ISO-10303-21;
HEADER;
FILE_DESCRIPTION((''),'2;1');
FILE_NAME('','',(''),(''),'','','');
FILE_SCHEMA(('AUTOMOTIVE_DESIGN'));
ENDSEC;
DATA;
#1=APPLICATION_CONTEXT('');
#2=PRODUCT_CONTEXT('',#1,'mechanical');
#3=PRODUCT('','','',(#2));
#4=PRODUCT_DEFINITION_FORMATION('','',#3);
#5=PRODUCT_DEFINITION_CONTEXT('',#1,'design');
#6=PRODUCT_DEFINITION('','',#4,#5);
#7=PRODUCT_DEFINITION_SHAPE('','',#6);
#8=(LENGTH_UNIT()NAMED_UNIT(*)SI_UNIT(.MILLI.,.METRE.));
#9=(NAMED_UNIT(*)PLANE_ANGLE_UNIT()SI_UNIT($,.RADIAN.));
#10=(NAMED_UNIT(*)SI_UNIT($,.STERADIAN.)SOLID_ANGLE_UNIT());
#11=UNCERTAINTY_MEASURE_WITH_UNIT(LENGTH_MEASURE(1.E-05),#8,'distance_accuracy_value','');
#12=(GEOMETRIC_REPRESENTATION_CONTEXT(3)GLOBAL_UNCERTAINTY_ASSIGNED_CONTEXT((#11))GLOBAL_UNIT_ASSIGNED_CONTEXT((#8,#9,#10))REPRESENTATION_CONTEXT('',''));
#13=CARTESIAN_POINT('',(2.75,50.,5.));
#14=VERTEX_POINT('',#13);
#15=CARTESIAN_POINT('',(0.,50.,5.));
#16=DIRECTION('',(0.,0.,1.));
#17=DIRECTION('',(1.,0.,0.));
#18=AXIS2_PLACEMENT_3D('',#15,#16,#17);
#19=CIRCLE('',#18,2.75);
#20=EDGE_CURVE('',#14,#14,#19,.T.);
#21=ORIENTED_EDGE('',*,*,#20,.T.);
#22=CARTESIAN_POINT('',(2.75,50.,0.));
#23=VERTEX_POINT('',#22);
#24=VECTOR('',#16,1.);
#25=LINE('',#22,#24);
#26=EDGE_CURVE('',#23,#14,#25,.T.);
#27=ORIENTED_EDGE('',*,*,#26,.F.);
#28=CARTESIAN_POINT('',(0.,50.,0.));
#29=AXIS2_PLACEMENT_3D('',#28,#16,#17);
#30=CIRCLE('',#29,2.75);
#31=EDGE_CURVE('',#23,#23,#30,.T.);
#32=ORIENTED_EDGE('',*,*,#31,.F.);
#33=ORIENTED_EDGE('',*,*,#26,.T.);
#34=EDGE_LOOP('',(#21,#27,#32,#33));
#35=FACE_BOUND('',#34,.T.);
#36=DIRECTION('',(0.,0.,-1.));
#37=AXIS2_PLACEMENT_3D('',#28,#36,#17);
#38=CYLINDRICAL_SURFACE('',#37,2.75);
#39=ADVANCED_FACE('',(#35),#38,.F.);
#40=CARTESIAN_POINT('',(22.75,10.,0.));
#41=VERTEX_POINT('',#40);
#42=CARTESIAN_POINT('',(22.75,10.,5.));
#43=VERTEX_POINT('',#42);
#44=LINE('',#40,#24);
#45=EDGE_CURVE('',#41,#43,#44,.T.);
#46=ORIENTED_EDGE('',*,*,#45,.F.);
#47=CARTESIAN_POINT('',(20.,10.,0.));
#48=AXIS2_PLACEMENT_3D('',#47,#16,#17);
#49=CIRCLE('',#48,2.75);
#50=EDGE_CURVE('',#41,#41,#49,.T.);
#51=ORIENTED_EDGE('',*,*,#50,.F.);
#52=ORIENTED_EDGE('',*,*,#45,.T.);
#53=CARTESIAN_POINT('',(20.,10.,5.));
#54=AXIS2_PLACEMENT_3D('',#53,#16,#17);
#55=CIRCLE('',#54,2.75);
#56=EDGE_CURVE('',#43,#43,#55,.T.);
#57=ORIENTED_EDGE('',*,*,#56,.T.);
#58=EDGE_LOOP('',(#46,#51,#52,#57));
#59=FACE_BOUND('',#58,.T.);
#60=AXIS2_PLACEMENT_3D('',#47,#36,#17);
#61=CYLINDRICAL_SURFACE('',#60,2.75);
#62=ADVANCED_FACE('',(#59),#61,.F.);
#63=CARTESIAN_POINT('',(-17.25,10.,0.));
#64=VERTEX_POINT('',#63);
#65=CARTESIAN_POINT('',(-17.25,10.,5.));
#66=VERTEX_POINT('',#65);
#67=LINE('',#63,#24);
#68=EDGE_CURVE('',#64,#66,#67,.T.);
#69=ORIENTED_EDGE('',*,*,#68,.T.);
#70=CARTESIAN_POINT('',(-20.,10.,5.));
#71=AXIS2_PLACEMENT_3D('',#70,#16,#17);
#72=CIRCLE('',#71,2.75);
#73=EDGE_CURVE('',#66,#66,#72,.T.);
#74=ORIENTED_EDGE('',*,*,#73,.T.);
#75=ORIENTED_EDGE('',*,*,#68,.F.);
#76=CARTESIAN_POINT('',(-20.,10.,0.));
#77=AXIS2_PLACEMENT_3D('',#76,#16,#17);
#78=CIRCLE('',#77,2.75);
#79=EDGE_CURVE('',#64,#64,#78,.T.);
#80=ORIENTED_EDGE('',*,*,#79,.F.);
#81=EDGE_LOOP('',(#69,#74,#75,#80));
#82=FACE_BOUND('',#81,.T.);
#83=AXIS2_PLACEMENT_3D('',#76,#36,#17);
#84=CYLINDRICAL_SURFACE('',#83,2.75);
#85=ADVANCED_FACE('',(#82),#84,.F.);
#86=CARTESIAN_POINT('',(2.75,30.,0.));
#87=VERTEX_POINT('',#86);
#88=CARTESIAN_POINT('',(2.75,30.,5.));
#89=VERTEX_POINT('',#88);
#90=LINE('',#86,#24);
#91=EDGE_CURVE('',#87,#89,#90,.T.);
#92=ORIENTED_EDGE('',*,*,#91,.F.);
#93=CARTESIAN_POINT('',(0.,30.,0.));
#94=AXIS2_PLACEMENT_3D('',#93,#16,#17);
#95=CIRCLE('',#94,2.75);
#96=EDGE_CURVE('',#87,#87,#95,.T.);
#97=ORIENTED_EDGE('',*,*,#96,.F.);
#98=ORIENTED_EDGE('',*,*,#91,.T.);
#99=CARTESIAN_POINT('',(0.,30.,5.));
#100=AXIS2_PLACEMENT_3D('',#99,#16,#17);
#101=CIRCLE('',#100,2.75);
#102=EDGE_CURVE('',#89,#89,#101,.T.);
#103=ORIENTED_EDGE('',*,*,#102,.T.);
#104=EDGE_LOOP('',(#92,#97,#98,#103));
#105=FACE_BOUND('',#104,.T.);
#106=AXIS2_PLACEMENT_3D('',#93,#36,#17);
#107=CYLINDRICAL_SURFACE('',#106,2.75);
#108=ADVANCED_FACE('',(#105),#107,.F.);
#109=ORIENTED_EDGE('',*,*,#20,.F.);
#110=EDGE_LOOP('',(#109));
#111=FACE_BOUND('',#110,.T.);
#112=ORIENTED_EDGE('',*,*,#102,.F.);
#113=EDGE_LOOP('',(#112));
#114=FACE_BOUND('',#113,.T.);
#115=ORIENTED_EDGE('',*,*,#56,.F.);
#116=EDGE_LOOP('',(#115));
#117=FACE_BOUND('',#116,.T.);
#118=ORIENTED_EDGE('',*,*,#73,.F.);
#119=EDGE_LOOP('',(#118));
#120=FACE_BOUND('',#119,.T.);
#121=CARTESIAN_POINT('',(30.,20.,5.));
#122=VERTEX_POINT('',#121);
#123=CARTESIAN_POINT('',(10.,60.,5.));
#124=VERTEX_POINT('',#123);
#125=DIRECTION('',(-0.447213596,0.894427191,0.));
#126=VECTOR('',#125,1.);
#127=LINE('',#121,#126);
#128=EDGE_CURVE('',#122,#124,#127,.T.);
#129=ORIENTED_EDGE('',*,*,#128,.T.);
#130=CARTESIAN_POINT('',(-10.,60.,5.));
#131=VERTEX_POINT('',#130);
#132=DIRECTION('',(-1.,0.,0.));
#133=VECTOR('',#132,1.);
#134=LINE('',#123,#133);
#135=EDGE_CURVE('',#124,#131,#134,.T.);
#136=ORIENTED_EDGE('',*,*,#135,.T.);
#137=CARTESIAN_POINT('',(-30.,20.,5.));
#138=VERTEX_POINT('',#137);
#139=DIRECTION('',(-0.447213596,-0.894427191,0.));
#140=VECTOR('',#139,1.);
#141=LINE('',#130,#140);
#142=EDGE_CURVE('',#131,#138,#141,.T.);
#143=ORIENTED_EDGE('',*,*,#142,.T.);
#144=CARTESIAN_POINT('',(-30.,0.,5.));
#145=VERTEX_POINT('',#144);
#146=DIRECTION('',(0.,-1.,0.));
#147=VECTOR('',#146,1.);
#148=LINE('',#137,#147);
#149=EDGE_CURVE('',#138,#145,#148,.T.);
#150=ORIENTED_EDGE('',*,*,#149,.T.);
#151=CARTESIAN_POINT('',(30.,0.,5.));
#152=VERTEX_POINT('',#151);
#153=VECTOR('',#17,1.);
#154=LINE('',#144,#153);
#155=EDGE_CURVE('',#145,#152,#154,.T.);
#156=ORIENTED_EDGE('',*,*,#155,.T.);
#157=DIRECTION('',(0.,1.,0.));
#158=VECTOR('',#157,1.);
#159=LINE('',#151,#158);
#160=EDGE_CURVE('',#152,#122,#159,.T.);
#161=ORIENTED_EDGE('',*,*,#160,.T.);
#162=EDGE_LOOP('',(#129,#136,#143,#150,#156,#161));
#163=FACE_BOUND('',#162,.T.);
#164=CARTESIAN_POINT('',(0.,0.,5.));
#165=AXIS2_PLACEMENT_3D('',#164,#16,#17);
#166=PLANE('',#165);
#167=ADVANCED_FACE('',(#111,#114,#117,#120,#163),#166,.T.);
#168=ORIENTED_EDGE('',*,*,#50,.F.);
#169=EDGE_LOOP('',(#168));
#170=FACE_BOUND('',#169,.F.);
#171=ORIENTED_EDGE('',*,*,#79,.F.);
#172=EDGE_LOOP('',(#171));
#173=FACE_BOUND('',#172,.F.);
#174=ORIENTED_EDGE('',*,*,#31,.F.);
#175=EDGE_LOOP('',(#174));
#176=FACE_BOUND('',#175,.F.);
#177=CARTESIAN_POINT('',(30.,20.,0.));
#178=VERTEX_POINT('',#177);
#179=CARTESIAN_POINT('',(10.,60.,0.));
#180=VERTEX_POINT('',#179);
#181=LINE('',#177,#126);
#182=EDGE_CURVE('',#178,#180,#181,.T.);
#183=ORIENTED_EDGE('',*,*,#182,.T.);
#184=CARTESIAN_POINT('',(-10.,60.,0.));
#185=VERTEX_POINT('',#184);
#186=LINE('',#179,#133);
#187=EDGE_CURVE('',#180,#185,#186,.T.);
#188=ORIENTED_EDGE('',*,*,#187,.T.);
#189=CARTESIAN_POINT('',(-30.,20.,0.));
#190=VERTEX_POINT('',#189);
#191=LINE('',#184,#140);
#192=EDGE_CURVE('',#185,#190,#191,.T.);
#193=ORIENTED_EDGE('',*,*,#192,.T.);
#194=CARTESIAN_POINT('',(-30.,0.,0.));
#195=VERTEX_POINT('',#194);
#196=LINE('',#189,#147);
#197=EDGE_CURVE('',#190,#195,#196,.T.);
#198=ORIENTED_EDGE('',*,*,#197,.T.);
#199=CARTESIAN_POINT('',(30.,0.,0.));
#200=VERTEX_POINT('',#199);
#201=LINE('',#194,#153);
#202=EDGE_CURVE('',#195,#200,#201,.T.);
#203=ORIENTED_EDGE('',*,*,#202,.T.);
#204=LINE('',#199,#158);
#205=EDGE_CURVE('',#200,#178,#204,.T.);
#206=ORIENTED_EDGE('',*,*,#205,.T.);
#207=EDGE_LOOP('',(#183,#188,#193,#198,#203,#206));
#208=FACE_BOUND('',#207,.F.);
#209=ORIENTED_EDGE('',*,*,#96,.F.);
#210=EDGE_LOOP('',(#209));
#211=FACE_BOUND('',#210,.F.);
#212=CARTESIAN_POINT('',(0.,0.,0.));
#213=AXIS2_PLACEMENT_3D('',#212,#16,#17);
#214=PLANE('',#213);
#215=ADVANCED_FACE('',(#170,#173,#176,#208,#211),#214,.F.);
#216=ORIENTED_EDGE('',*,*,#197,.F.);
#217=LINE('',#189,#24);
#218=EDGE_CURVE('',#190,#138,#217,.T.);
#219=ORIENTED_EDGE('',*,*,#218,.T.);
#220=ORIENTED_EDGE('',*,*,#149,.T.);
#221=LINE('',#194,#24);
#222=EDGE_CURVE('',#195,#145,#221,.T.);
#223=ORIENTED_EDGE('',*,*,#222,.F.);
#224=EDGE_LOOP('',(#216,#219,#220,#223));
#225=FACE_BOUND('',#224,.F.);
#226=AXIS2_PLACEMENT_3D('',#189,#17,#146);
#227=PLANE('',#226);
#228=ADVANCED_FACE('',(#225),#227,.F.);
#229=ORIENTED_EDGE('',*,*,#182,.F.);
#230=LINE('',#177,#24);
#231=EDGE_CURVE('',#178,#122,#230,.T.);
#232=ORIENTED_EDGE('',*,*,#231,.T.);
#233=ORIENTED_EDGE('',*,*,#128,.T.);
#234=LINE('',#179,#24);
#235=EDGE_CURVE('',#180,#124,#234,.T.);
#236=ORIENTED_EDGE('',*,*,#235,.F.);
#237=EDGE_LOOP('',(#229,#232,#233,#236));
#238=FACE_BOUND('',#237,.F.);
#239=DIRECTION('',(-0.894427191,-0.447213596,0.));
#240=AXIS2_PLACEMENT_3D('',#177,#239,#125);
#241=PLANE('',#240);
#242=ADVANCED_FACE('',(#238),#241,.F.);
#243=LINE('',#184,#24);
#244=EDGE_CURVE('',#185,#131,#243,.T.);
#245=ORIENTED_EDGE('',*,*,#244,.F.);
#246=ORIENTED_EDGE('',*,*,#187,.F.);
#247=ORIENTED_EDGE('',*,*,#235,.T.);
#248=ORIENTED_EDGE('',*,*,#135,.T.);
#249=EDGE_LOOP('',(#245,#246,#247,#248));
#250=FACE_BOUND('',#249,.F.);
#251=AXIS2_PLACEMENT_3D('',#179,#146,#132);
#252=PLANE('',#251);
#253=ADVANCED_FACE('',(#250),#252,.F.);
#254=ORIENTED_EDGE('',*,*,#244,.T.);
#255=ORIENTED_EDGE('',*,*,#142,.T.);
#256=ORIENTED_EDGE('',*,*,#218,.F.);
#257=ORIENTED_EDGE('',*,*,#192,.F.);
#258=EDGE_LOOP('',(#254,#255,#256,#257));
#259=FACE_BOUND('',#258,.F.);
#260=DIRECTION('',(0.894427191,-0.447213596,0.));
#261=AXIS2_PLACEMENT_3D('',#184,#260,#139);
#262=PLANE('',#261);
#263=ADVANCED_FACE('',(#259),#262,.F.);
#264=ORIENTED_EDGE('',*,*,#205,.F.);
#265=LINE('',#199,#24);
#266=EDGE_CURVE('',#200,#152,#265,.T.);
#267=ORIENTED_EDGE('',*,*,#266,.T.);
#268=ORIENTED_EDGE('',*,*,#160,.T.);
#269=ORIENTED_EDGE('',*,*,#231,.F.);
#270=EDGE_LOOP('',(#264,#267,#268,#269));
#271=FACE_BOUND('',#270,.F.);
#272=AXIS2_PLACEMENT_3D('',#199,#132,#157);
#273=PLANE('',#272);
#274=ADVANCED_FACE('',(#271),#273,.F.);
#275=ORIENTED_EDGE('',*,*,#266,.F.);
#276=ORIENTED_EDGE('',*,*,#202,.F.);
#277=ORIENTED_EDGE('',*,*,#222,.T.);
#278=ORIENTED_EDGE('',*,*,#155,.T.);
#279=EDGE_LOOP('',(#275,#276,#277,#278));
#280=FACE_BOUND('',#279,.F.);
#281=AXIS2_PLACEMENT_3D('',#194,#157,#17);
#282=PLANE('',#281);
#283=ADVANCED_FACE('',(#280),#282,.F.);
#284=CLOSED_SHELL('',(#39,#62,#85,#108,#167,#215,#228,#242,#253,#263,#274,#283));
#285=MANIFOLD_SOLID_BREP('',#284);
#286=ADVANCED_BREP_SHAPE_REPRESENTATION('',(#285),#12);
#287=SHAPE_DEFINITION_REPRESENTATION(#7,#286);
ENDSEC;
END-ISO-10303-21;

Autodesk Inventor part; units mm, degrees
ref_plane "YZ Plane" through (0, 0, 0) normal (1, 0, 0) x (0, 1, 0)
ref_plane "XZ Plane" through (0, 0, 0) normal (0, 1, 0) x (-1, 0, 0)
ref_plane "XY Plane" through (0, 0, 0) normal (0, 0, 1) x (1, 0, 0)
sketch "Sketch1" plane through (0, 0, 0) normal (0, 0, 1) x (1, 0, 0)
  line L0 (-30, 0) -> (30, 0)
  line L1 (30, 0) -> (30, 20)
  line L2 (30, 20) -> (10, 60)
  line L3 (10, 60) -> (-10, 60)
  line L4 (-10, 60) -> (-30, 20)
  line L5 (-30, 20) -> (-30, 0)
  circle A0 centre (0, 50) radius 2.75
  circle A1 centre (0, 30) radius 2.75
  circle A2 centre (20, 10) radius 2.75
  circle A3 centre (-20, 10) radius 2.75
  point P0 (0, 0)
  point P1 (0, 0)
  point P2 (0, 60)
  dimension "d0" = 60
  dimension "d1" = 60
  dimension "d2" = 20
  dimension "d3" = 20
  dimension "d4" = 5.5
  dimension "d5" = 10
  dimension "d6" = 20
  dimension "d7" = 10
  dimension "d8" = 10
  dimension "d9" = 10
extrude "Extrusion1" add sketch "Sketch1" along normal blind 5
properties part number "SupportCR-10-Mini"
